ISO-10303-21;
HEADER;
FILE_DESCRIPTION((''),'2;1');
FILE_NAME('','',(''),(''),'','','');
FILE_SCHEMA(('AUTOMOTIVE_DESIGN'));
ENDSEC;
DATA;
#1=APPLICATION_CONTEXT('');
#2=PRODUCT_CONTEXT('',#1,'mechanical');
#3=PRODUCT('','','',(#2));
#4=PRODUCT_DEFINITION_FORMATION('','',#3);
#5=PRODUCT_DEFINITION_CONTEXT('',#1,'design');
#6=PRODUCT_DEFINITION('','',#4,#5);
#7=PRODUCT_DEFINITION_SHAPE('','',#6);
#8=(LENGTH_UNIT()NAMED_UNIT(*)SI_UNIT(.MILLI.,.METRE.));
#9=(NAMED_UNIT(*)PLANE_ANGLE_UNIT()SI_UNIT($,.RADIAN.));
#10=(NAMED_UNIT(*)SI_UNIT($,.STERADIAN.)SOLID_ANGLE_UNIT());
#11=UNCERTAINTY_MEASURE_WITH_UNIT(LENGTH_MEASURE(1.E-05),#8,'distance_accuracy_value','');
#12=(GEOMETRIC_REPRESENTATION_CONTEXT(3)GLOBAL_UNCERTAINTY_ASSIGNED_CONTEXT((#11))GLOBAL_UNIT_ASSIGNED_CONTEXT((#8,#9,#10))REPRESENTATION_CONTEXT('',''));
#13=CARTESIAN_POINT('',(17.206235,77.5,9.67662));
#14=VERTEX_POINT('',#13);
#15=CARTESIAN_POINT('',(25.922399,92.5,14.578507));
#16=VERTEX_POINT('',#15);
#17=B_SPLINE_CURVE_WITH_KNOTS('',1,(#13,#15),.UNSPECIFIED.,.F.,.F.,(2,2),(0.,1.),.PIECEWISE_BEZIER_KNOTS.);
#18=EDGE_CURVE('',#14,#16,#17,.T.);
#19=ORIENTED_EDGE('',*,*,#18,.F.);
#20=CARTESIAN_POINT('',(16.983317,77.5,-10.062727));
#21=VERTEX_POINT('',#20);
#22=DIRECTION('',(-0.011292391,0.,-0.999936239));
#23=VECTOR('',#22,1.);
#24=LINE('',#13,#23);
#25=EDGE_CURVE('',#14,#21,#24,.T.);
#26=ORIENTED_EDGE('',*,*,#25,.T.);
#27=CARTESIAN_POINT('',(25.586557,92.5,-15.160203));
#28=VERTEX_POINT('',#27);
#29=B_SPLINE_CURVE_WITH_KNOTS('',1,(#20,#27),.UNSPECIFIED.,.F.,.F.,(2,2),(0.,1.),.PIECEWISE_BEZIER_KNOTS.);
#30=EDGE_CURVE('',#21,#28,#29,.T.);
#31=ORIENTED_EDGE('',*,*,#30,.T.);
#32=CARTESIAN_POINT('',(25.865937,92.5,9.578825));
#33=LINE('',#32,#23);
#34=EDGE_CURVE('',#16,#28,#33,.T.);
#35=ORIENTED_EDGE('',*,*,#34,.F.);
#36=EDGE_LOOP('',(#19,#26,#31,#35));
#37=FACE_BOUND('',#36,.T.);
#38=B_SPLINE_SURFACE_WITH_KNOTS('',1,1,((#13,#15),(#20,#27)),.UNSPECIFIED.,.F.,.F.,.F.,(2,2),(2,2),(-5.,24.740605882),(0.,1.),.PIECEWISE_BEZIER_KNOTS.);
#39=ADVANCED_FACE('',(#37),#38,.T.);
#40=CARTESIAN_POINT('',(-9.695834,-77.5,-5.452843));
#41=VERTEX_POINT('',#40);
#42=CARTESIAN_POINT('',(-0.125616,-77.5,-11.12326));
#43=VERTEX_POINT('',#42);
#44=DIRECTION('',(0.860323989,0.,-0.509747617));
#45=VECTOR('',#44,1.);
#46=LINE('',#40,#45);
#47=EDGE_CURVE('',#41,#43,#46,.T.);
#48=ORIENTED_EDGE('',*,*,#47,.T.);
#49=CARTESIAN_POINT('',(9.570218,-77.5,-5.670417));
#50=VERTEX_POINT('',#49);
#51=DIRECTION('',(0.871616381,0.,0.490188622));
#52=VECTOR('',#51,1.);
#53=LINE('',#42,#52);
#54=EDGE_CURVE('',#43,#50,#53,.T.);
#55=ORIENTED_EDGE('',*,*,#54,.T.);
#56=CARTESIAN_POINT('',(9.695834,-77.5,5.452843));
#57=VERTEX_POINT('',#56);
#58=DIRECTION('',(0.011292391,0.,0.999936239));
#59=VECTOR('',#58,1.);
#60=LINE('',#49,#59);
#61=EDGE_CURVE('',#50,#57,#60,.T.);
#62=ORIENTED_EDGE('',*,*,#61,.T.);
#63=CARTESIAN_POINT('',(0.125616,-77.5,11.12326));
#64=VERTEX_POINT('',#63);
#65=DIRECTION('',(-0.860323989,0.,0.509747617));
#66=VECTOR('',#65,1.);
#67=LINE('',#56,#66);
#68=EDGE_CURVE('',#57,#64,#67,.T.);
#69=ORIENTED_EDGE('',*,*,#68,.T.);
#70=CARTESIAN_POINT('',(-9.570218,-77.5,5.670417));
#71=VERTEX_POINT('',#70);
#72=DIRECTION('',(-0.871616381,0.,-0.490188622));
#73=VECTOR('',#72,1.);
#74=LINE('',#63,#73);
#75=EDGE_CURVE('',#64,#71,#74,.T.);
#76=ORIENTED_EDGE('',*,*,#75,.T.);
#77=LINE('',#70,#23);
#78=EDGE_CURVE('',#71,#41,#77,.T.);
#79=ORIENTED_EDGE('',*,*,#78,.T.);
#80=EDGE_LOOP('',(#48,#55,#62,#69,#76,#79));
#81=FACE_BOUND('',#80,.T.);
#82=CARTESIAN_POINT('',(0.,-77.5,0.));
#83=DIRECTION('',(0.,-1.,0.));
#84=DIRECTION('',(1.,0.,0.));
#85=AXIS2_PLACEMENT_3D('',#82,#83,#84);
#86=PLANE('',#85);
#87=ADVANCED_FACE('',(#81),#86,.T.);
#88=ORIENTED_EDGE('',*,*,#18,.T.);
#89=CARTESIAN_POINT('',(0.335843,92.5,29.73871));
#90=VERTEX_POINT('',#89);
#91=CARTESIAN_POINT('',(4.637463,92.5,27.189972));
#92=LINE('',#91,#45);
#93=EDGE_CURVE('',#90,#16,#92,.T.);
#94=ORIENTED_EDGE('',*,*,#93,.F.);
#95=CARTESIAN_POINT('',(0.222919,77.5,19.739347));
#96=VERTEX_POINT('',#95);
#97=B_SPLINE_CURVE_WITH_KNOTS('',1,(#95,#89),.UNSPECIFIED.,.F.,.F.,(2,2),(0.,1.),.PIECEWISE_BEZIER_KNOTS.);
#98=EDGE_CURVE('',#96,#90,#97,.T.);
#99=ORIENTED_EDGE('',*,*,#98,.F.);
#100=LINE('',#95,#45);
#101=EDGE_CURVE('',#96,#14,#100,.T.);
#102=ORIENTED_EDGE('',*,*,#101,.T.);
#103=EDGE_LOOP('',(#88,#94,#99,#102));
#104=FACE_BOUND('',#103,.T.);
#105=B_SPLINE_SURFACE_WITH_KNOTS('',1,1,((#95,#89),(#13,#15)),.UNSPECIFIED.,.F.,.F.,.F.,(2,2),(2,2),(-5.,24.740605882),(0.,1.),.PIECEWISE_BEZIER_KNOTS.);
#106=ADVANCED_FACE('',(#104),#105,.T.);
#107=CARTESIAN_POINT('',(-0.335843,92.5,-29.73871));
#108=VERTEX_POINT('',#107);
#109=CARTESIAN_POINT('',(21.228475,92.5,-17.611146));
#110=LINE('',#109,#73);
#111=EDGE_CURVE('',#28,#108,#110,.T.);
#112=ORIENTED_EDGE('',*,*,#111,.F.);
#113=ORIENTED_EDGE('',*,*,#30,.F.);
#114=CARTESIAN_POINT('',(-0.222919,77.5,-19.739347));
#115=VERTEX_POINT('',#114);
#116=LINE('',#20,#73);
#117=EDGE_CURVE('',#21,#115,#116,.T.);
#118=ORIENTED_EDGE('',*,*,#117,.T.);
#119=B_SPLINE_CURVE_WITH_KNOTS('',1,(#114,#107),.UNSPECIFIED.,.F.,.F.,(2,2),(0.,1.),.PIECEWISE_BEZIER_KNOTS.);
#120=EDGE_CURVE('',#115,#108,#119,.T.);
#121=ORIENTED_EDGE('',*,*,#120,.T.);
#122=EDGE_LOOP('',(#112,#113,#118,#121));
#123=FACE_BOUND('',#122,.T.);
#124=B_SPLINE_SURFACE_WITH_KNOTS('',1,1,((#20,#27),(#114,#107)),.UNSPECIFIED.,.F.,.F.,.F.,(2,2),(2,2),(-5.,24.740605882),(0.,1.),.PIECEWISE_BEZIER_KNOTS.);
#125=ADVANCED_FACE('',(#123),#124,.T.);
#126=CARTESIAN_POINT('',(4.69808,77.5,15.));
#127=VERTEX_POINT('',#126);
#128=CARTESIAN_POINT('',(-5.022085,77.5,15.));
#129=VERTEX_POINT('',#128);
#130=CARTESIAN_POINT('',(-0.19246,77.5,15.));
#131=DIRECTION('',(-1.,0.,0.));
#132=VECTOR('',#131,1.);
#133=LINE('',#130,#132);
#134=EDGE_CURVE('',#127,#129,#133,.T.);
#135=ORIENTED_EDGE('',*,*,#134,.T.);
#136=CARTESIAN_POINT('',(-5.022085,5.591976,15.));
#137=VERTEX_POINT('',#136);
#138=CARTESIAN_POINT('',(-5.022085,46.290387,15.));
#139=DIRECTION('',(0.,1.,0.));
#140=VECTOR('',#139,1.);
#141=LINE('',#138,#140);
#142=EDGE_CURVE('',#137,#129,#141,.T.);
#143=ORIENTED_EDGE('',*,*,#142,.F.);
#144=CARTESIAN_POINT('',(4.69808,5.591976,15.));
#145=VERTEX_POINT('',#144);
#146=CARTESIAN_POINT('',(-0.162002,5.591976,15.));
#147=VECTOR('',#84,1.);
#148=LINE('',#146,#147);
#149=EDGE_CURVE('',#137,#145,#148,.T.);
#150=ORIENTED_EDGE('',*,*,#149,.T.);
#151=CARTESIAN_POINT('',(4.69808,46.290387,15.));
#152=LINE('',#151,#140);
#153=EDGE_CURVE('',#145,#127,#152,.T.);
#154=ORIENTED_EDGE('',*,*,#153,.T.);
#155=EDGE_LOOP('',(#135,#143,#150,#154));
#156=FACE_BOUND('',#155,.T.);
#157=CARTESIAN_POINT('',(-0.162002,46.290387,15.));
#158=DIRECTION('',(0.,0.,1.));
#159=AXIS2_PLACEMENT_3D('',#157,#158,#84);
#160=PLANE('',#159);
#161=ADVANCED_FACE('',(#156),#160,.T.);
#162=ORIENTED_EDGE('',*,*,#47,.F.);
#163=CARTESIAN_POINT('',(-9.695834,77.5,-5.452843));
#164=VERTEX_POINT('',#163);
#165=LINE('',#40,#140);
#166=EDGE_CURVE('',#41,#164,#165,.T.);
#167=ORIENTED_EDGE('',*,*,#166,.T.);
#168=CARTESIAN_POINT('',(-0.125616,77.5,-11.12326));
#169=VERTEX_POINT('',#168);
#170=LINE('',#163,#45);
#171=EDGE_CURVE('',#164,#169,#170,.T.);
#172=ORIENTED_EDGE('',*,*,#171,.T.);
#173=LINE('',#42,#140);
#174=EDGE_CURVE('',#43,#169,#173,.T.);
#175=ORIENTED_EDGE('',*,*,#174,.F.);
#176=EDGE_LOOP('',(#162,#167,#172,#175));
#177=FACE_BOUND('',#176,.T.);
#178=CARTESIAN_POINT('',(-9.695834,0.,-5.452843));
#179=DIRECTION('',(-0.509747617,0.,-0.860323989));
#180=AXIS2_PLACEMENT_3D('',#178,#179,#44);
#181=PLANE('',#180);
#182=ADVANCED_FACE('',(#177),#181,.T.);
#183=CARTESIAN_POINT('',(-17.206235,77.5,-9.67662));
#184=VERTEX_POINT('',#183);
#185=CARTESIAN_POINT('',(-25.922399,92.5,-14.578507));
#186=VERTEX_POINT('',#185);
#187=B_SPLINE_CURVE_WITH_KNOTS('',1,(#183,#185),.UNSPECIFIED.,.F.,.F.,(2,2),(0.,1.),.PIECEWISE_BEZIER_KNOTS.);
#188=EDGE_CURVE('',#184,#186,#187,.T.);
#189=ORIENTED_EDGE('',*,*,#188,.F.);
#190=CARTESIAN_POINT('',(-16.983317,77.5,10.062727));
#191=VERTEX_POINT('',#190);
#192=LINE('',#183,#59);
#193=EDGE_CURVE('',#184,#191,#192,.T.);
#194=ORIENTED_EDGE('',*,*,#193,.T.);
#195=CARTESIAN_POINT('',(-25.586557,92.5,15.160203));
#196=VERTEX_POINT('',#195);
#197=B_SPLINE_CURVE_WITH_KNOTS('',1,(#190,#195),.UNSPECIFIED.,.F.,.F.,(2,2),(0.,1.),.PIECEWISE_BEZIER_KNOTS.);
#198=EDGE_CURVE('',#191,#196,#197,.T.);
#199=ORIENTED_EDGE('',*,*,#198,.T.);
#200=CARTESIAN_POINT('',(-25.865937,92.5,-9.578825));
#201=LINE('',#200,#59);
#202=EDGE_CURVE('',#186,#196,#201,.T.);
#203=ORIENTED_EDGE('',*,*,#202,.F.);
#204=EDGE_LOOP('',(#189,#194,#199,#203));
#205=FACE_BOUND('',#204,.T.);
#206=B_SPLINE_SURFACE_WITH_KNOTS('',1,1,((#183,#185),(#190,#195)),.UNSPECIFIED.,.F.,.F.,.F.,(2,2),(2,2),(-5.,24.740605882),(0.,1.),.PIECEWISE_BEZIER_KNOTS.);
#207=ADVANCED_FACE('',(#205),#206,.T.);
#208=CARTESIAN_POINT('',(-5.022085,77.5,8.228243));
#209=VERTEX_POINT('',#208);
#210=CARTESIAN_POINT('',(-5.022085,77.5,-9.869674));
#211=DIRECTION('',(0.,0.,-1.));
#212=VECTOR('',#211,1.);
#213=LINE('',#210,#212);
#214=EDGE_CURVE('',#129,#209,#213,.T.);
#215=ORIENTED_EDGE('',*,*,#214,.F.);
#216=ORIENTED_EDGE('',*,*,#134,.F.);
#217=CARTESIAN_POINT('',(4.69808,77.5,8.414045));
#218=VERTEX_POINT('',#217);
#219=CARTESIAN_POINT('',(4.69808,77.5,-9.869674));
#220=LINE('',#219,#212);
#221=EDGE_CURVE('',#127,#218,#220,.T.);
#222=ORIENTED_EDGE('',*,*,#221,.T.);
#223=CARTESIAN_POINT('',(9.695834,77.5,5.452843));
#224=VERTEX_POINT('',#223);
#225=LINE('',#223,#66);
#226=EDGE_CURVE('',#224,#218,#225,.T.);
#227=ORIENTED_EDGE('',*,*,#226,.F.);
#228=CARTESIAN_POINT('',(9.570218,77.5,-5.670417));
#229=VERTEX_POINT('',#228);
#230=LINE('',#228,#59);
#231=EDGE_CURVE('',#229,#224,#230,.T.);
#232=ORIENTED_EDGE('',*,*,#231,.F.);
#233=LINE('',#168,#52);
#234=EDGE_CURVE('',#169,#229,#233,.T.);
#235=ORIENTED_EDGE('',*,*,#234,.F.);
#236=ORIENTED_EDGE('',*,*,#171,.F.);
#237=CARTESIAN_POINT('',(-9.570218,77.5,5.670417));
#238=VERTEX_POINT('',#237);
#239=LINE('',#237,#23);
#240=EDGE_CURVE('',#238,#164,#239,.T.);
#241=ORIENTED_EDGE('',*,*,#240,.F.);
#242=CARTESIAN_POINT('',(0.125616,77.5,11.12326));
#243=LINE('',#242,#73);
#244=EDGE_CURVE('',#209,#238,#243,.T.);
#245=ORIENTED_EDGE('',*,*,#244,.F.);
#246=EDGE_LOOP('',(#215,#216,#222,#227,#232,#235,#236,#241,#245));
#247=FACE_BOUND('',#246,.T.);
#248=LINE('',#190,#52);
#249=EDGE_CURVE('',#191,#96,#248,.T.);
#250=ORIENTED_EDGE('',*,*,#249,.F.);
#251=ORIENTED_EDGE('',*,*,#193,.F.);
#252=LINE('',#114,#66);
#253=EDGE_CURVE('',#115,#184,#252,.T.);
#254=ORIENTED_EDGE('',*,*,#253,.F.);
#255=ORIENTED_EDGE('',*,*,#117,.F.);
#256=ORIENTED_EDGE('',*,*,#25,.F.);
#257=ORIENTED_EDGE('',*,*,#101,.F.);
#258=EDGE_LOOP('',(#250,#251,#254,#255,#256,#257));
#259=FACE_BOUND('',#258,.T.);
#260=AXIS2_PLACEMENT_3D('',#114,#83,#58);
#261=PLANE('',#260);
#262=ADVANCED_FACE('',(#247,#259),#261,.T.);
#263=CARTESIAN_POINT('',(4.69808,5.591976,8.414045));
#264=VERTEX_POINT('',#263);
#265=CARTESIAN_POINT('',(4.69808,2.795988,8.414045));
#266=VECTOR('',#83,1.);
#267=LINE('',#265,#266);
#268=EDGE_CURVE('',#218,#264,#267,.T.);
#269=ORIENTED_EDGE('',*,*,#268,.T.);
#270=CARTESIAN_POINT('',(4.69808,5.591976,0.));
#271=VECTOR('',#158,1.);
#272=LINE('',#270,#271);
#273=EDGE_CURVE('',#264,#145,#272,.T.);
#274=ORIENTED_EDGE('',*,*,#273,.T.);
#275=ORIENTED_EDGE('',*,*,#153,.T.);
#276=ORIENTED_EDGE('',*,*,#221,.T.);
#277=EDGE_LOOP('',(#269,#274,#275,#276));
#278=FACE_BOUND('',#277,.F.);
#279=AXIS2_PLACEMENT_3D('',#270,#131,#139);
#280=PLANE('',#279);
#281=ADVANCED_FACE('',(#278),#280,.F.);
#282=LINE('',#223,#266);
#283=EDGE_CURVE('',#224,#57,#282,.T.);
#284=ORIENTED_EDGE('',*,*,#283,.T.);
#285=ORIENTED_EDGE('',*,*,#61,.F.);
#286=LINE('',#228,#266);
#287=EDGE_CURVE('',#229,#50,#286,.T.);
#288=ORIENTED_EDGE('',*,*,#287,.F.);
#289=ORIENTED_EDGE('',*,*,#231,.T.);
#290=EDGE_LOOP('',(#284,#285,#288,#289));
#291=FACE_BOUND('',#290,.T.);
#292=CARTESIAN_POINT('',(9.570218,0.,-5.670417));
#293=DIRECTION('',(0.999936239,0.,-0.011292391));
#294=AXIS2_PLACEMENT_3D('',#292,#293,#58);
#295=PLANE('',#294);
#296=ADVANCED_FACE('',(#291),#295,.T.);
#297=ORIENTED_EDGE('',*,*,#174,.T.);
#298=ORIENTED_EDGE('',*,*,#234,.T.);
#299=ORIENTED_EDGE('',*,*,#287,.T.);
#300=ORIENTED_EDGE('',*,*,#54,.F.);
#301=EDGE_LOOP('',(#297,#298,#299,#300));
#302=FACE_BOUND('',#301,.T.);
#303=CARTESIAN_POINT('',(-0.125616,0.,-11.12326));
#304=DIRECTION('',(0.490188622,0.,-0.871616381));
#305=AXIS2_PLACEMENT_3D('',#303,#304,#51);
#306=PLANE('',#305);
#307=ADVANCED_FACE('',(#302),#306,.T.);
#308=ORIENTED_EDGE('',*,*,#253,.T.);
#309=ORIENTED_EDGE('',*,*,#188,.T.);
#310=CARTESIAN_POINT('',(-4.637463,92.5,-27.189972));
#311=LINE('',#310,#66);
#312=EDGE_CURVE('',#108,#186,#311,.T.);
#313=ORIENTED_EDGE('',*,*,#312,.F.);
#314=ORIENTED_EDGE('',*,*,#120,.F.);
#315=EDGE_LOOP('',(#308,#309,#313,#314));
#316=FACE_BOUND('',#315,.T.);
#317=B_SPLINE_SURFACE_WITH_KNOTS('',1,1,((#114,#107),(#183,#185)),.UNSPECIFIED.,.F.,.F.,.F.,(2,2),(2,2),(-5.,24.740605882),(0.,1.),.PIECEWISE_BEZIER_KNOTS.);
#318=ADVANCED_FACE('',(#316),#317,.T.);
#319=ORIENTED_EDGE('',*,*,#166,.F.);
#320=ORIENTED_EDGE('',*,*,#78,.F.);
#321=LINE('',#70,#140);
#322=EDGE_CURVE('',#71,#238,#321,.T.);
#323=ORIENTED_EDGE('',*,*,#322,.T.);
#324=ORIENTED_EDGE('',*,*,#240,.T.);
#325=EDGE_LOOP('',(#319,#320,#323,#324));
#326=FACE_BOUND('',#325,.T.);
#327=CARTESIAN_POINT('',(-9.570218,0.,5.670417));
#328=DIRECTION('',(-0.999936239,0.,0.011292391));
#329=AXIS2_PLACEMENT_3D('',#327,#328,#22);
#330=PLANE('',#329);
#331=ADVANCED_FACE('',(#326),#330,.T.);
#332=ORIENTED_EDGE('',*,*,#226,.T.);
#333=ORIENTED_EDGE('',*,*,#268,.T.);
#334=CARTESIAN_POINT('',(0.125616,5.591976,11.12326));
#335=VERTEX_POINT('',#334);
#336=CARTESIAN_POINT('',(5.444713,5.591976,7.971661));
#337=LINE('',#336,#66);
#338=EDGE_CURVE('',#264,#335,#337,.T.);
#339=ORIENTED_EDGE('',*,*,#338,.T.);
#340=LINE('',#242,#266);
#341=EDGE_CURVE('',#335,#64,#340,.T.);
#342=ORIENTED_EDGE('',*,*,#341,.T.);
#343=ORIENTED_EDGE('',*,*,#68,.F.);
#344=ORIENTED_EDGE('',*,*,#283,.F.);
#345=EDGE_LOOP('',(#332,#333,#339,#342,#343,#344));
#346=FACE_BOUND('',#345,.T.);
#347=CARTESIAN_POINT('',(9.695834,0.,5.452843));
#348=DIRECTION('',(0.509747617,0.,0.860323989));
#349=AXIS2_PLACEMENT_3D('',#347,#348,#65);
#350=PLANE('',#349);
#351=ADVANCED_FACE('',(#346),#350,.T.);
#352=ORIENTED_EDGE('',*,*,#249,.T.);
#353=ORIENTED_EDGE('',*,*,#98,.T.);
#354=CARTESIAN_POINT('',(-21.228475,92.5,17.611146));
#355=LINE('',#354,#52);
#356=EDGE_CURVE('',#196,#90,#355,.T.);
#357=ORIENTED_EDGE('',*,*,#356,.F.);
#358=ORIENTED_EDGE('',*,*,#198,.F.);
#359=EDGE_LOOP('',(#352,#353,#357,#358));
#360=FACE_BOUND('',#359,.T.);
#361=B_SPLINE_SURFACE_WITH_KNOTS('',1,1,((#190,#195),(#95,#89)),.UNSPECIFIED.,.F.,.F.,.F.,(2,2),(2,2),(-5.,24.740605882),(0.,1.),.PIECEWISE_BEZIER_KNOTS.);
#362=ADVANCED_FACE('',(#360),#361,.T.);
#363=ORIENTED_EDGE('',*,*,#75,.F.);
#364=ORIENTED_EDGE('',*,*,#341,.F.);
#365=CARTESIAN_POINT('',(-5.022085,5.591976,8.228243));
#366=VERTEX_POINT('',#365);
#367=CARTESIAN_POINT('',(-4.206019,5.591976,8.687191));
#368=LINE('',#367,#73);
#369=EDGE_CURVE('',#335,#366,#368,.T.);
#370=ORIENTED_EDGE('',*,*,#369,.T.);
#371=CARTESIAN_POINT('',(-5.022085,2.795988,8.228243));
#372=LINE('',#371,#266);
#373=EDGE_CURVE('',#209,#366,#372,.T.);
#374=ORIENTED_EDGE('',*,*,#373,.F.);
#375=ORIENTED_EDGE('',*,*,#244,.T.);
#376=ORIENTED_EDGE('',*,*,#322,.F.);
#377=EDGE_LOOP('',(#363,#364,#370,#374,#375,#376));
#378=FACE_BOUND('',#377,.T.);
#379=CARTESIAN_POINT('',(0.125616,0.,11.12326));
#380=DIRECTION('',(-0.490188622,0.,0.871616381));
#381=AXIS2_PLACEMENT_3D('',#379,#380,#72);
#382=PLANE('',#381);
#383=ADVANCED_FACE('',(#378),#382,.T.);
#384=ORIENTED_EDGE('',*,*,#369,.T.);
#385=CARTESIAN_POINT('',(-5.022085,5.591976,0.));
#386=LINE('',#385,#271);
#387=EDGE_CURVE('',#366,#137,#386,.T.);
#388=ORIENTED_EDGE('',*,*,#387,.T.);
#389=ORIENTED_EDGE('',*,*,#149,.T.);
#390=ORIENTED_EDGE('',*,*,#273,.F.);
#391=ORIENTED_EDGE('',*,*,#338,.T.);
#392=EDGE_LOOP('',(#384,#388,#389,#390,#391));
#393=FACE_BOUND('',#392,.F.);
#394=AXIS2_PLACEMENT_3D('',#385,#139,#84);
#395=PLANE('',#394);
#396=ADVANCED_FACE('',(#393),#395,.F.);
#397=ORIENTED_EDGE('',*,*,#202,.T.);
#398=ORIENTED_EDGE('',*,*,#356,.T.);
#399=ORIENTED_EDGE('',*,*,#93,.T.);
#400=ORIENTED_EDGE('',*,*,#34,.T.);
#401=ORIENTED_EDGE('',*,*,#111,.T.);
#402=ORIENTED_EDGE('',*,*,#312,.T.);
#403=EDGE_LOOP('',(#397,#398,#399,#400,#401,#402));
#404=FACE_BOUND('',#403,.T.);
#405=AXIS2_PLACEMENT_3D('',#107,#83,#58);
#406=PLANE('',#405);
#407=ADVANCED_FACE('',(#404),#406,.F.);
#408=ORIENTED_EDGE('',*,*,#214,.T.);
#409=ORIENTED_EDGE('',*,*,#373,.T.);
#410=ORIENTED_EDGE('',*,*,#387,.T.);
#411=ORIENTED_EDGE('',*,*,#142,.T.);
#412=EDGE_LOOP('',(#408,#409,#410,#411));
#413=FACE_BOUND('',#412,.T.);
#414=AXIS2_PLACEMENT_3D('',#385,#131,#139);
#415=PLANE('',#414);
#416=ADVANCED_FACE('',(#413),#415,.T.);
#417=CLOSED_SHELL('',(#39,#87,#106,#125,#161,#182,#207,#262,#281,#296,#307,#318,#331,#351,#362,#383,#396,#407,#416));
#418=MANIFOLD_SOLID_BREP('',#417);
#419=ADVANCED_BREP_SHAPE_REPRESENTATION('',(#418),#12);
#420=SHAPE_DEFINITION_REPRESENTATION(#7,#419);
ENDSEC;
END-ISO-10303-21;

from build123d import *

# Parameters (mm, degrees)
F1_DEPTH = 77.5
F3_DEPTH = 15
F3_TAPER = -30
F4_W     = 9.7201652825
F4_H     = 81.3968237489
F5_DEPTH = 15


with BuildPart() as f1:
    # F0 (on Front) → F1 (new body, symmetric)
    with BuildSketch(Plane.XZ):
        Polygon((-0.1256162198, -11.1232604972), (9.5702180536, -5.6704170861), (9.6958342734, 5.4528434111), (0.1256162198, 11.1232604972), (-9.5702180536, 5.6704170861), (-9.6958342734, -5.4528434111), align=None)
    extrude(amount=F1_DEPTH, both=True)

    # F2 (on face) → F3 (join)
    with BuildSketch(Plane(origin=(0, 77.5, 0), x_dir=(-1, 0, 0), z_dir=(0, 1, 0))):
        Polygon((0.2229186467, -19.7393472), (17.2062354526, -9.676620389), (16.983316806, 10.062726811), (-0.2229186467, 19.7393472), (-17.2062354526, 9.676620389), (-16.983316806, -10.062726811), align=None)
        Polygon((9.6958342734, -5.4528434111), (0.1256162198, -11.1232604972), (-9.5702180536, -5.6704170861), (-9.6958342734, 5.4528434111), (-0.1256162198, 11.1232604972), (9.5702180536, 5.6704170861), align=None, mode=Mode.SUBTRACT)
        Polygon((-9.5702180536, -5.6704170861), (0.1256162198, -11.1232604972), (9.6958342734, -5.4528434111), (9.5702180536, 5.6704170861), (-0.1256162198, 11.1232604972), (-9.6958342734, 5.4528434111), align=None)
    extrude(amount=F3_DEPTH, taper=F3_TAPER)

    # F4 (on Top) → F5 (join)
    with BuildSketch(Plane.XY):
        with Locations((-0.1620021649, 46.2903873995)):
            Rectangle(F4_W, F4_H)
    extrude(amount=F5_DEPTH)


solid = f1.part
